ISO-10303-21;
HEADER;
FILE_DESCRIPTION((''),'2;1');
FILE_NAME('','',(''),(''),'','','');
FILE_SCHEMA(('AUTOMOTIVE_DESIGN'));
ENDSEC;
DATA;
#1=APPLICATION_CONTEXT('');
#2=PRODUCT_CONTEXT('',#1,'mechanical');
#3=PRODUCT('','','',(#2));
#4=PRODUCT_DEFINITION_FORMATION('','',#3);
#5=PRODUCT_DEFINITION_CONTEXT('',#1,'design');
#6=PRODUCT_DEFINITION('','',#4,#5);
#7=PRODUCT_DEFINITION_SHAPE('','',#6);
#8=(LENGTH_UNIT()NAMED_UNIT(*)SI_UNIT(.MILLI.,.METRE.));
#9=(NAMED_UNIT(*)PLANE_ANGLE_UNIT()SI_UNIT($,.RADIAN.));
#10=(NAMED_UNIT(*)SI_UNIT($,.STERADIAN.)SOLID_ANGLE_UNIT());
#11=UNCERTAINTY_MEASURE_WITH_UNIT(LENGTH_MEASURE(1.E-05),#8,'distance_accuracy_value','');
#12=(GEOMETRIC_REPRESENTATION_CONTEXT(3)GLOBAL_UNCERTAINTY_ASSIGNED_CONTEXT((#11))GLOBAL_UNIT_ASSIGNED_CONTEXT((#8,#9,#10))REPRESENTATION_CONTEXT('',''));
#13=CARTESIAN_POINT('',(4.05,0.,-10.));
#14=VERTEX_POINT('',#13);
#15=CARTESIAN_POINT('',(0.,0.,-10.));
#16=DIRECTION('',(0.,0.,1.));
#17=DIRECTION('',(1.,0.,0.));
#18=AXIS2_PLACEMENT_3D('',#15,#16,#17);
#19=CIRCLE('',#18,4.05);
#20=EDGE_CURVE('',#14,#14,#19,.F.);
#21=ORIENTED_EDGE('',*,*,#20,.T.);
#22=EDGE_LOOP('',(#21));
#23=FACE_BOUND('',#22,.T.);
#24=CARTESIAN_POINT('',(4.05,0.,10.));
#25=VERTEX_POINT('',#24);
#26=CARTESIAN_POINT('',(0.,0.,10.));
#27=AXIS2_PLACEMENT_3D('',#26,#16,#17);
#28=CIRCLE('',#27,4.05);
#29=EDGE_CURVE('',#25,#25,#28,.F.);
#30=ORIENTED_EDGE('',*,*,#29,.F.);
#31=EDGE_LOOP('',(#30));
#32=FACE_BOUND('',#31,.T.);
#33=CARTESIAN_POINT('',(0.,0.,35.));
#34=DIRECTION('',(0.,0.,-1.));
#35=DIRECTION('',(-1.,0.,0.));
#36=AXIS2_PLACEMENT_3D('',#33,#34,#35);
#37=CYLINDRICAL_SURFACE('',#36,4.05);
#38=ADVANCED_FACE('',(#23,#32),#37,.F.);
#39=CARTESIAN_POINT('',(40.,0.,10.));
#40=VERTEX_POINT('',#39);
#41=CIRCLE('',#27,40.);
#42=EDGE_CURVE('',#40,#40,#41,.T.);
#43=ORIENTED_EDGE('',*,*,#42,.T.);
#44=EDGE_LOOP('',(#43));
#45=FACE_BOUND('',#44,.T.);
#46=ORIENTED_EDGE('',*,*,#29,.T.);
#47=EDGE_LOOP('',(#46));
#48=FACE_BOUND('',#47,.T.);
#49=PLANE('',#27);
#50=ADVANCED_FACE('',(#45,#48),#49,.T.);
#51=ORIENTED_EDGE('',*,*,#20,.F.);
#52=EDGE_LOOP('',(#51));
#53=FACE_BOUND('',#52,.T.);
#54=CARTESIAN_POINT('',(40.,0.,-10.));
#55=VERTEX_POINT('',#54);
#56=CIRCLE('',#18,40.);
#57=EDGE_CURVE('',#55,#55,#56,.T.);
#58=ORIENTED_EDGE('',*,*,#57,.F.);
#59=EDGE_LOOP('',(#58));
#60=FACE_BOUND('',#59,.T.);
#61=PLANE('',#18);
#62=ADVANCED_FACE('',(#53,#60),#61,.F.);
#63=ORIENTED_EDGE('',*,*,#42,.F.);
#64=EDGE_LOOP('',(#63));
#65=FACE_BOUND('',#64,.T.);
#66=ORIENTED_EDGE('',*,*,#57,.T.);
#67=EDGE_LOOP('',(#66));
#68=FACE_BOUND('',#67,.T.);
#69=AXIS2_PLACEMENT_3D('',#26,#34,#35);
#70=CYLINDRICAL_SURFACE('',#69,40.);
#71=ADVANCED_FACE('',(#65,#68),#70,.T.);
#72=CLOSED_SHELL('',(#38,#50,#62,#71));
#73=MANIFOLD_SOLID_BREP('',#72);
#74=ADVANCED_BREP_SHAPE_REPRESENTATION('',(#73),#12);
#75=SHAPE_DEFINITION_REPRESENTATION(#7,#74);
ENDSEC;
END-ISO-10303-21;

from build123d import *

# Parameters (mm, degrees)
CROQUIS1_R                 = 40
SALIENTE_EXTRUIR1_DEPTH    = 10
CORTAR_EXTRUIR1_DEPTH      = 25
CORTAR_EXTRUIR1_DEPTH_BACK = 56
CROQUIS2_R                 = 4.05


with BuildPart() as part:
    # Croquis1 → Saliente-Extruir1 (new, symmetric)
    with BuildSketch(Plane.XY):
        Circle(CROQUIS1_R)
    extrude(amount=SALIENTE_EXTRUIR1_DEPTH, both=True)

    # Croquis2 → Cortar-Extruir1 (cut, two sides: drawn at the far end of the back side and taken through both)
    with BuildSketch(Plane.XY.offset(10).offset(-CORTAR_EXTRUIR1_DEPTH_BACK)):
        Circle(CROQUIS2_R)
    extrude(amount=CORTAR_EXTRUIR1_DEPTH + CORTAR_EXTRUIR1_DEPTH_BACK, mode=Mode.SUBTRACT)


solid = part.part
